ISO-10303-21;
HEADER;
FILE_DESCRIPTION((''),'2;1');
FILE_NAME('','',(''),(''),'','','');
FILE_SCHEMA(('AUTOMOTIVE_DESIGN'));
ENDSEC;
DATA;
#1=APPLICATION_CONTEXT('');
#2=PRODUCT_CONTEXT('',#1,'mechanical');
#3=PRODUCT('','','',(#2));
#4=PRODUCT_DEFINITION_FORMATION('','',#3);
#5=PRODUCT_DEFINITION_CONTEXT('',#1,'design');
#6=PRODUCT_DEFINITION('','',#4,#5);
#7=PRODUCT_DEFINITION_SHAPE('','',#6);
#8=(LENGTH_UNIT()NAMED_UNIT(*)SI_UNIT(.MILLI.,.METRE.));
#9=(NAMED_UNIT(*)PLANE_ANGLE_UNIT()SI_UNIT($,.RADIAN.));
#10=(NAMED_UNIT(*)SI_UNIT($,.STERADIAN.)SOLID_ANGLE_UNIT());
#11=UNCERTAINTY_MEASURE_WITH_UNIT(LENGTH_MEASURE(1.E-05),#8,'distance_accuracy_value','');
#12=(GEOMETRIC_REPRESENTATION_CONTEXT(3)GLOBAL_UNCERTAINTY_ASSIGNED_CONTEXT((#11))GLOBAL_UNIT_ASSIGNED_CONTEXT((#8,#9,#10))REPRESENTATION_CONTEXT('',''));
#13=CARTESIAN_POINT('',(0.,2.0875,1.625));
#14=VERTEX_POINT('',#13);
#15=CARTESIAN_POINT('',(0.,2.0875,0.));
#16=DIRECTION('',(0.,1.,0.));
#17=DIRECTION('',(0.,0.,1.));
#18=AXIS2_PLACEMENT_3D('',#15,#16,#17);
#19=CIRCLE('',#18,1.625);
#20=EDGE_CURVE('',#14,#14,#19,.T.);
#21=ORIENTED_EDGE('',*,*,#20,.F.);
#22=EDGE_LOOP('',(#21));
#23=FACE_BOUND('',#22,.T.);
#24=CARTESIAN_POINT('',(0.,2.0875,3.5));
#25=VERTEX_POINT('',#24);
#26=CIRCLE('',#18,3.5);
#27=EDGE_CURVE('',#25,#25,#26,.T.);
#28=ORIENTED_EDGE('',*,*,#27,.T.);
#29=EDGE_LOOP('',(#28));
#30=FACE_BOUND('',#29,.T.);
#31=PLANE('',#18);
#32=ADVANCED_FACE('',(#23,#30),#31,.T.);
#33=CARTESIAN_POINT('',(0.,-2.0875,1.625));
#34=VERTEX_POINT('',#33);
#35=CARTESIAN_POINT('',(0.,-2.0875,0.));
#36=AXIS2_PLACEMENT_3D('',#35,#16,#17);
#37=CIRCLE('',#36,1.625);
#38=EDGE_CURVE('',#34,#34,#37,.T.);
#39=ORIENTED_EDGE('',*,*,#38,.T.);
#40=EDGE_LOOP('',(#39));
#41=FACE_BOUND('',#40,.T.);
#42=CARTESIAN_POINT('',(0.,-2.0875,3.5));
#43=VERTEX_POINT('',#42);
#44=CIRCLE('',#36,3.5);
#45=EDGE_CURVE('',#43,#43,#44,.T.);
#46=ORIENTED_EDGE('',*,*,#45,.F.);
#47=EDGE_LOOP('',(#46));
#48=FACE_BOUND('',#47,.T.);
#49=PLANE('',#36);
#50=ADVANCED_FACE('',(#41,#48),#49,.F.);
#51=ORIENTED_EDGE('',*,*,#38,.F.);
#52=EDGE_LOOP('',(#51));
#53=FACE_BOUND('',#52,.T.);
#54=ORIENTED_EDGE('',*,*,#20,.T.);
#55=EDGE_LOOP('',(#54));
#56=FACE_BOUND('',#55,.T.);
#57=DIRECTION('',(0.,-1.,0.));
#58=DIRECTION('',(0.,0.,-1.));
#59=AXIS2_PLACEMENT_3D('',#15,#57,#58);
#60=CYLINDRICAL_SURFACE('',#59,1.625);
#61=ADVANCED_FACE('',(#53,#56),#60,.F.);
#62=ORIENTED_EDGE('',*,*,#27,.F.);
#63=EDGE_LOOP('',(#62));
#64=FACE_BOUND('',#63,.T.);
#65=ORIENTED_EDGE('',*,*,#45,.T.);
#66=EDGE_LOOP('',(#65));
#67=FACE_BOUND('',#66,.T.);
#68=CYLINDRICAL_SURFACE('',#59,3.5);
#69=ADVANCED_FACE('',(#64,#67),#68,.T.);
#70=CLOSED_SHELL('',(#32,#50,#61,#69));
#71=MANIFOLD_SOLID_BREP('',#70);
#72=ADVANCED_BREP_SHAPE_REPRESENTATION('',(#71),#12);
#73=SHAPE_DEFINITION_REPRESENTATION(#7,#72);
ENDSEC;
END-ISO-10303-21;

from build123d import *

# Parameters (mm, degrees)
SKETCH1_R           = 3.5
SKETCH1_R_2         = 1.625
BOSS_EXTRUDE1_DEPTH = 2.0875


with BuildPart() as part:
    # Sketch1 → Boss-Extrude1 (new body, symmetric)
    with BuildSketch(Plane(origin=(0, 0, 0), x_dir=(1, 0, 0), z_dir=(0, 1, 0))):
        Circle(SKETCH1_R)
        Circle(SKETCH1_R_2, mode=Mode.SUBTRACT)
    extrude(amount=BOSS_EXTRUDE1_DEPTH, both=True)


solid = part.part
